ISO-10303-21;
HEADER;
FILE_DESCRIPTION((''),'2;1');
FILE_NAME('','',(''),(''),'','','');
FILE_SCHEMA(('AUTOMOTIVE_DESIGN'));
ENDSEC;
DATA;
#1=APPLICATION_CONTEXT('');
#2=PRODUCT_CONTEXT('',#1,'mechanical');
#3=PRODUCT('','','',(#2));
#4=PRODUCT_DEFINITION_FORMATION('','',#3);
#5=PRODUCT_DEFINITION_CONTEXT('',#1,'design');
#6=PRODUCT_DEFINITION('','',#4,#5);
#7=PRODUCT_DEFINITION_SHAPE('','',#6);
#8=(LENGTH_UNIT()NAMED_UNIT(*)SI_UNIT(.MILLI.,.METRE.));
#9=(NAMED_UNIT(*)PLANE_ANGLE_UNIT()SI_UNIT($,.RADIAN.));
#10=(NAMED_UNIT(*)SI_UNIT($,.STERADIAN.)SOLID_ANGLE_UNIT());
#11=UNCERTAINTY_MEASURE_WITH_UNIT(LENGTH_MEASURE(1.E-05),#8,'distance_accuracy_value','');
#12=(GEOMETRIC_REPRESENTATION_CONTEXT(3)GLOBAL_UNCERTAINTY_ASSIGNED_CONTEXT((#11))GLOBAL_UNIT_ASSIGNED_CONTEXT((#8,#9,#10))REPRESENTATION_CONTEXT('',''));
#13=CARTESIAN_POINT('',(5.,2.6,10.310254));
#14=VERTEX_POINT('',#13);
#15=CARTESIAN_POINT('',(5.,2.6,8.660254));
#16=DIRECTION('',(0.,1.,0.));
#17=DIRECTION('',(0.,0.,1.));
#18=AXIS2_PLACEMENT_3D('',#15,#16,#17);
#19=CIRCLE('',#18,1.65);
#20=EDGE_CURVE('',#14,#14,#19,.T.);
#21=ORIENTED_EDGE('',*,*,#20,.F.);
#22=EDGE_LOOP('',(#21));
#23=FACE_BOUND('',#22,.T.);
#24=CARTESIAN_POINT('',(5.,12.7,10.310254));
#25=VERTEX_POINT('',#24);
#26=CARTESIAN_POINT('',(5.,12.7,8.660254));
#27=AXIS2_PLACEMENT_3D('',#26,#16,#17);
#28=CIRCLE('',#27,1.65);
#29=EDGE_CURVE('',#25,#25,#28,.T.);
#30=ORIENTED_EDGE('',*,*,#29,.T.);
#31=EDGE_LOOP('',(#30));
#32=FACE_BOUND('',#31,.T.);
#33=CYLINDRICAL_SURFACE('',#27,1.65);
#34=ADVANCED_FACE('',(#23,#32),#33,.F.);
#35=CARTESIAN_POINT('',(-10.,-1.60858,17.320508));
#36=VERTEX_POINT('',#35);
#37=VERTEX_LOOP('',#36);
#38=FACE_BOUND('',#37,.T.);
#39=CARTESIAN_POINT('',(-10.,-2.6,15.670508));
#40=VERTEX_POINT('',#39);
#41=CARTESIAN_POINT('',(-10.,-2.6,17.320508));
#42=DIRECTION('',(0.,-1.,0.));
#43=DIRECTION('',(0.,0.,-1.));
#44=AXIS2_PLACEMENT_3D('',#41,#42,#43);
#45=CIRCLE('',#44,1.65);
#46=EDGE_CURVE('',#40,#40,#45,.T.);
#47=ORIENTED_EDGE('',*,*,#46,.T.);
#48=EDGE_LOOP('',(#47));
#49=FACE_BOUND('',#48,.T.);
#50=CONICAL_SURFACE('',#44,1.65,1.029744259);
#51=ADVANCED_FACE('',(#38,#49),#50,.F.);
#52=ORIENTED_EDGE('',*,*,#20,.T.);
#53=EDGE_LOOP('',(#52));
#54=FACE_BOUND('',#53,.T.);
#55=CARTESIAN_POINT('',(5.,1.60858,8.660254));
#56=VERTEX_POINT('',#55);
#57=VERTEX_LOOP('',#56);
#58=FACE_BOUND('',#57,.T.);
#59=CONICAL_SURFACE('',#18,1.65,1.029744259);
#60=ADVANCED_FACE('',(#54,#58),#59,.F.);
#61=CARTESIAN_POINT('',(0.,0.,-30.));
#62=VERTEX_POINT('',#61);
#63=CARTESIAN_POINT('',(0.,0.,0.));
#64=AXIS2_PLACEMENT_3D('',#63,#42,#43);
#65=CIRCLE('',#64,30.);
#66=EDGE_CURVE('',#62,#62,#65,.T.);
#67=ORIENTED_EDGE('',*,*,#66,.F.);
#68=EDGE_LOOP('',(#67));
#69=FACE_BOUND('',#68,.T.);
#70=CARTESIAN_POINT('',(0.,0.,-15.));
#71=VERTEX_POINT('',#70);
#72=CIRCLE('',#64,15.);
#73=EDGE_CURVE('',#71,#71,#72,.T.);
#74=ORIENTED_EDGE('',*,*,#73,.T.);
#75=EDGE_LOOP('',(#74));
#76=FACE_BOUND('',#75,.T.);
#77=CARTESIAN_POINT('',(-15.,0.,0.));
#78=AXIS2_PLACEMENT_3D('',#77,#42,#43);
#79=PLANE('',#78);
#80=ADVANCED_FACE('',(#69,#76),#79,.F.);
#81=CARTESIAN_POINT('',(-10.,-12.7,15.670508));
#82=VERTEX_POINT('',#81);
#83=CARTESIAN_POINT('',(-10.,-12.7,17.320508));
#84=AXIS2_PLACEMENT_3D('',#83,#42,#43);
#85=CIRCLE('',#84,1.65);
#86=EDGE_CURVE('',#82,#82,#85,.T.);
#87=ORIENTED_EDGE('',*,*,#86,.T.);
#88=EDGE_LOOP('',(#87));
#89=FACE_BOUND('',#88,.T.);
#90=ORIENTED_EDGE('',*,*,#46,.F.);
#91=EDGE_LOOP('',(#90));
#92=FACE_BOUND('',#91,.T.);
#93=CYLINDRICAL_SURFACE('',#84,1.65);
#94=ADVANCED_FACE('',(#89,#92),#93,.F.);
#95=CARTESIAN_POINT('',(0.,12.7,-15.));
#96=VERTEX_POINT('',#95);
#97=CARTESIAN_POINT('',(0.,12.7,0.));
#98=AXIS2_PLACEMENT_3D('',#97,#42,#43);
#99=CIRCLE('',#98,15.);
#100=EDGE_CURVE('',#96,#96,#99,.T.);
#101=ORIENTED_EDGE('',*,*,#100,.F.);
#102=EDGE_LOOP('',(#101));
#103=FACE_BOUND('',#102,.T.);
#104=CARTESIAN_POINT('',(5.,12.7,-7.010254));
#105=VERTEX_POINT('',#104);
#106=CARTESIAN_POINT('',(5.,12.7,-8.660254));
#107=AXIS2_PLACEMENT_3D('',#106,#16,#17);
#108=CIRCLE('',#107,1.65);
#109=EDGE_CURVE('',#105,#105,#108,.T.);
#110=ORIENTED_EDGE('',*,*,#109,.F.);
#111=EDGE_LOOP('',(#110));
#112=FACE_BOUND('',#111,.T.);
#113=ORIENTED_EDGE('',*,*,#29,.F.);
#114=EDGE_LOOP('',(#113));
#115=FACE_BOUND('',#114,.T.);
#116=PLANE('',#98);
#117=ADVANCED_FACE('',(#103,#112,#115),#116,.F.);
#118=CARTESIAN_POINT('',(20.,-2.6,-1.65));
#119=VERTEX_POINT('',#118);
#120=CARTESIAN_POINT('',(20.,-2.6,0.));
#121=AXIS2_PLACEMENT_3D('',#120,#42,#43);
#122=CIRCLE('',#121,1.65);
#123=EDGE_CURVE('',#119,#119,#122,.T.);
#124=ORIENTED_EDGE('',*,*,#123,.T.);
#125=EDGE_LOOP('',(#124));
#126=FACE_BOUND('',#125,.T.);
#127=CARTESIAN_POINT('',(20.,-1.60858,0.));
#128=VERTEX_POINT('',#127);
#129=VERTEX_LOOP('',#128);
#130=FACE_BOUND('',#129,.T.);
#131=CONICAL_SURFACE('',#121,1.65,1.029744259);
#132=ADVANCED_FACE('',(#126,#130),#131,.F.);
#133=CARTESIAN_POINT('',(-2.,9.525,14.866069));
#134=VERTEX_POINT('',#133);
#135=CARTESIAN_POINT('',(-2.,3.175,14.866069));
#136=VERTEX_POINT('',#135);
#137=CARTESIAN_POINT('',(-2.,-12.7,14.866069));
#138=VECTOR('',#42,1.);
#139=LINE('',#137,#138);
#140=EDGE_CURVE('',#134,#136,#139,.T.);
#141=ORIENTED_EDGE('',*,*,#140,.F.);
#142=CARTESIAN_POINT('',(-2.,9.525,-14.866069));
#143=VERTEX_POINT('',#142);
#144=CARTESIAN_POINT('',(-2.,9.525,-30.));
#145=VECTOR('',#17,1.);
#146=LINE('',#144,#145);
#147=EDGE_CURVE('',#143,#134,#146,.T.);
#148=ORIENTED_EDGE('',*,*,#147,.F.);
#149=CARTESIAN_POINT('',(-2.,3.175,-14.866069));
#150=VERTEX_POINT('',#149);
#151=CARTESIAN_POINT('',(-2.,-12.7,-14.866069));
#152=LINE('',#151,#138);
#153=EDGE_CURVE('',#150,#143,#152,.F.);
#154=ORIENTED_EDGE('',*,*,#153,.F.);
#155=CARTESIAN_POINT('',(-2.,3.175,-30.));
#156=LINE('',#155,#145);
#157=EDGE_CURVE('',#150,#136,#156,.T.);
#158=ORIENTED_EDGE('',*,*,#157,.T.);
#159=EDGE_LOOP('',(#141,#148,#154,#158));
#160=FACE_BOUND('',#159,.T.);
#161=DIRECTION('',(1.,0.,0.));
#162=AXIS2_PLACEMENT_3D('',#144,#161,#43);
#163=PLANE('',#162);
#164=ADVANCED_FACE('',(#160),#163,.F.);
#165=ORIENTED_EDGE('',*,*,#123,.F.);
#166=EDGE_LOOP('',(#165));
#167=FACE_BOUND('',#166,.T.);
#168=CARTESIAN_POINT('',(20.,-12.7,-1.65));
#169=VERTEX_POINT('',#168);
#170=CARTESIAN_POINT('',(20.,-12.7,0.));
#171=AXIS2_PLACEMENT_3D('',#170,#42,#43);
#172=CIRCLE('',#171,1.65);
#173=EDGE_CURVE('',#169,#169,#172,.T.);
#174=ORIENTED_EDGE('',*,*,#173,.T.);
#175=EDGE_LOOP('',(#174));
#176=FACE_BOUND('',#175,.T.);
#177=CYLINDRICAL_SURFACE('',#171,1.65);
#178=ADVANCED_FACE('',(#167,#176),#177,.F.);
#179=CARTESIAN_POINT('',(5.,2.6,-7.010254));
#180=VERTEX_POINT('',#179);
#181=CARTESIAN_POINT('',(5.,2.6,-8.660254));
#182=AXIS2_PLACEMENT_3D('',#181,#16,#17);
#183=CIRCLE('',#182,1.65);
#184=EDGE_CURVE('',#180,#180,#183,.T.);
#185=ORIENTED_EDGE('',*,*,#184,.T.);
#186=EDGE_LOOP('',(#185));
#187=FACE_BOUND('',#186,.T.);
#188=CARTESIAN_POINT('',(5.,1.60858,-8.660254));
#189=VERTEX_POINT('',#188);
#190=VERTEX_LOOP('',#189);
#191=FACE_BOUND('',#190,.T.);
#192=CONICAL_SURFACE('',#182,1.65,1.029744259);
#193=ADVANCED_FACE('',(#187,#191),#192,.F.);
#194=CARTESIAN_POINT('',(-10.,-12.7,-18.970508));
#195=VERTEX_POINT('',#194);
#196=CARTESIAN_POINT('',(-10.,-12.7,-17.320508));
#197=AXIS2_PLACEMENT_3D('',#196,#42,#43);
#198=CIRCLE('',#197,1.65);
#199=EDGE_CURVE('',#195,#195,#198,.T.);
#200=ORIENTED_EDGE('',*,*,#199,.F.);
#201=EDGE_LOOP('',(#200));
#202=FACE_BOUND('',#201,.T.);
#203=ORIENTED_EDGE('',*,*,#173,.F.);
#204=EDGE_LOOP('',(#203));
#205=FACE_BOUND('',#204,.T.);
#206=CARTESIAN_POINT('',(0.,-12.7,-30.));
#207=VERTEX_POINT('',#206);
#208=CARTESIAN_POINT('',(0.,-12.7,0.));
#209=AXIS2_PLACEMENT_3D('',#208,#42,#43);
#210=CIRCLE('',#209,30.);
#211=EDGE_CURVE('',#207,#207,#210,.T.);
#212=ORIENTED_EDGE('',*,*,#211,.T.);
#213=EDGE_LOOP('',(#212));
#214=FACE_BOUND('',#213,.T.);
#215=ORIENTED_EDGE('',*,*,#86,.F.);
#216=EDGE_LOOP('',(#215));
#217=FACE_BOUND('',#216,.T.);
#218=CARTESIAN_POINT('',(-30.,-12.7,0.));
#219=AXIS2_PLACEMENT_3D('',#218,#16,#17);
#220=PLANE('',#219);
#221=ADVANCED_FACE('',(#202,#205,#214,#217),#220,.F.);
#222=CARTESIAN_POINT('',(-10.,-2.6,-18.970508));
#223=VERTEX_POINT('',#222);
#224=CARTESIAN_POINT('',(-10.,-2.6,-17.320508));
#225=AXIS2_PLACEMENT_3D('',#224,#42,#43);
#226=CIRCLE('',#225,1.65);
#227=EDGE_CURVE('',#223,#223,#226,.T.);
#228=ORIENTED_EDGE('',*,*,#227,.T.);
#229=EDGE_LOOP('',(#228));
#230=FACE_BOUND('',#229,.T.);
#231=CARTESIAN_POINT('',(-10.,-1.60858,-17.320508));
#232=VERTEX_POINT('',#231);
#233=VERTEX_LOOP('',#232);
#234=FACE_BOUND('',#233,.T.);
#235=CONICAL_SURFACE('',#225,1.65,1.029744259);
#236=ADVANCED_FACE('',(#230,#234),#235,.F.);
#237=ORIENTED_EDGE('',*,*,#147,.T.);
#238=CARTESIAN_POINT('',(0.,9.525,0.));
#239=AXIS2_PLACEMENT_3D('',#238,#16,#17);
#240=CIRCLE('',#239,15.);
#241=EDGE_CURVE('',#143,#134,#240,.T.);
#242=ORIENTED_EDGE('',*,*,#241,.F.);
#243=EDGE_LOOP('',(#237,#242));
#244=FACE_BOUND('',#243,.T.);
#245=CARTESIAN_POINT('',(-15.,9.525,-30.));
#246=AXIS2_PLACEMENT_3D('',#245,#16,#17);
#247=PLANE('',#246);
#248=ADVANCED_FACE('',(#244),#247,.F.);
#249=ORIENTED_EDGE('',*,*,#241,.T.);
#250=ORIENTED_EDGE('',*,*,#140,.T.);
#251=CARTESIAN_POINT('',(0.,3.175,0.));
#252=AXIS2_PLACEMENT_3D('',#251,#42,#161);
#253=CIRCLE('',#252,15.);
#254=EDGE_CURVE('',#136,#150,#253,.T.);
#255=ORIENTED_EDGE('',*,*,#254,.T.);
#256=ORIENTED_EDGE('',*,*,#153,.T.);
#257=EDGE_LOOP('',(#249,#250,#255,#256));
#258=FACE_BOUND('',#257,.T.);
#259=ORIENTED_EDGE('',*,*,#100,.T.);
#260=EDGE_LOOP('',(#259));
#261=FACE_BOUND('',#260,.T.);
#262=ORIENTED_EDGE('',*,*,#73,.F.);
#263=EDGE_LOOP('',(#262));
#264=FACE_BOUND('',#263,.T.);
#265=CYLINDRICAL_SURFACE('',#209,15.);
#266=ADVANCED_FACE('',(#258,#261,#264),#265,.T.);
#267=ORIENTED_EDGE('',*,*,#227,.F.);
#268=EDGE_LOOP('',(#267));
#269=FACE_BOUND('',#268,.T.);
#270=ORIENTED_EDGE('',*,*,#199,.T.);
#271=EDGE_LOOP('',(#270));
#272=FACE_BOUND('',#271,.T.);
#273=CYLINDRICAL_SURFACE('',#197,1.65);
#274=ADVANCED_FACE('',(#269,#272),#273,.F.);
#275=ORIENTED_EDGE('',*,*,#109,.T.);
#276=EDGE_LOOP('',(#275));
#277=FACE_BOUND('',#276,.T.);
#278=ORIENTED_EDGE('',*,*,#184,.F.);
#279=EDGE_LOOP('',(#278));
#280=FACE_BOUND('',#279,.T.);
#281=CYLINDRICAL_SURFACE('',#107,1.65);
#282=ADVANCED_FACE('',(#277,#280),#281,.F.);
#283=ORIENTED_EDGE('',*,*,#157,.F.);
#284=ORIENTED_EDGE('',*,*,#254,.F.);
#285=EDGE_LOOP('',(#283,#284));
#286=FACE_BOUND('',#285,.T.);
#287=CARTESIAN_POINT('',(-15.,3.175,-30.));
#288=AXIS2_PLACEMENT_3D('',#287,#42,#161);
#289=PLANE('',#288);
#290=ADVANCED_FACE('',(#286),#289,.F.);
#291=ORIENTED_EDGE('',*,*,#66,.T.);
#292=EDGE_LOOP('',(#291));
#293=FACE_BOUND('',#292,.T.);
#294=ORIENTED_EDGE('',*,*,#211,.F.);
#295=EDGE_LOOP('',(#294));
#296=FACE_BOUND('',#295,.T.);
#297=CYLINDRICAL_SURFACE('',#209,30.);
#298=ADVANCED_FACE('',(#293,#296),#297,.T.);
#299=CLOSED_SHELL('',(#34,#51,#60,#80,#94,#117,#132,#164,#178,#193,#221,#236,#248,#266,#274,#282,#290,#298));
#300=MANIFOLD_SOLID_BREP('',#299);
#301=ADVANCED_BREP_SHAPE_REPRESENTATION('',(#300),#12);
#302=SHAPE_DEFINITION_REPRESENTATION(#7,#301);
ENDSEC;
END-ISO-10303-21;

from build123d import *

# Parameters (mm, degrees)
CUT_EXTRUDE1_DEPTH        = 45.286453911
CUT_EXTRUDE1_DEPTH_BACK   = 45.286453911
SKETCH2_W                 = 13
SKETCH2_H                 = 6.35
M4X0_7_TAPPED_HOLE1_D     = 3.3
M4X0_7_TAPPED_HOLE1_DEPTH = 10.1
M4X0_7_TAPPED_HOLE1_TIP   = 0.991420021
M4X0_7_TAPPED_HOLE2_D     = 3.3
M4X0_7_TAPPED_HOLE2_DEPTH = 10.1
M4X0_7_TAPPED_HOLE2_TIP   = 0.991420021


with BuildPart() as part:
    # Sketch1 → Revolve1 (revolve)
    with BuildSketch(Plane.XY, mode=Mode.PRIVATE) as revolve1_sk:
        Polygon((0, 12.7), (-15, 12.7), (-15, 0), (-30, 0), (-30, -12.7), (0, -12.7), align=None)
    revolve(revolve1_sk.sketch.rotate(Axis((0, -12.7, 0), (0, 1, 0)), 270), axis=Axis((0, -12.7, 0), (0, 1, 0)))

    # Sketch2 → Cut-Extrude1 (cut, two sides: drawn at the far end of the back side and taken through both)
    with BuildSketch(Plane.XY.offset(-CUT_EXTRUDE1_DEPTH_BACK)):
        with Locations((-8.5, 6.35)):
            Rectangle(SKETCH2_W, SKETCH2_H)
    extrude(amount=CUT_EXTRUDE1_DEPTH + CUT_EXTRUDE1_DEPTH_BACK, mode=Mode.SUBTRACT)

    # M4x0.7 Tapped Hole1
    with Locations(Plane(origin=(0, 12.7, 0), x_dir=(1, 0, 0), z_dir=(0, 1, 0))):
        with Locations((5, -8.660254038), (5, 8.660254038)):
            Hole(M4X0_7_TAPPED_HOLE1_D / 2, depth=M4X0_7_TAPPED_HOLE1_DEPTH)
            with Locations((0, 0, -(M4X0_7_TAPPED_HOLE1_DEPTH + M4X0_7_TAPPED_HOLE1_TIP / 2))):  # 118° drill point
                Cone(0, M4X0_7_TAPPED_HOLE1_D / 2, M4X0_7_TAPPED_HOLE1_TIP, mode=Mode.SUBTRACT)

    # M4x0.7 Tapped Hole2
    with Locations(Plane(origin=(0, -12.7, 0), x_dir=(-1, 0, 0), z_dir=(0, -1, 0))):
        with Locations((-20, 0), (10, -17.320508076), (10, 17.320508076)):
            Hole(M4X0_7_TAPPED_HOLE2_D / 2, depth=M4X0_7_TAPPED_HOLE2_DEPTH)
            with Locations((0, 0, -(M4X0_7_TAPPED_HOLE2_DEPTH + M4X0_7_TAPPED_HOLE2_TIP / 2))):  # 118° drill point
                Cone(0, M4X0_7_TAPPED_HOLE2_D / 2, M4X0_7_TAPPED_HOLE2_TIP, mode=Mode.SUBTRACT)


solid = part.part
